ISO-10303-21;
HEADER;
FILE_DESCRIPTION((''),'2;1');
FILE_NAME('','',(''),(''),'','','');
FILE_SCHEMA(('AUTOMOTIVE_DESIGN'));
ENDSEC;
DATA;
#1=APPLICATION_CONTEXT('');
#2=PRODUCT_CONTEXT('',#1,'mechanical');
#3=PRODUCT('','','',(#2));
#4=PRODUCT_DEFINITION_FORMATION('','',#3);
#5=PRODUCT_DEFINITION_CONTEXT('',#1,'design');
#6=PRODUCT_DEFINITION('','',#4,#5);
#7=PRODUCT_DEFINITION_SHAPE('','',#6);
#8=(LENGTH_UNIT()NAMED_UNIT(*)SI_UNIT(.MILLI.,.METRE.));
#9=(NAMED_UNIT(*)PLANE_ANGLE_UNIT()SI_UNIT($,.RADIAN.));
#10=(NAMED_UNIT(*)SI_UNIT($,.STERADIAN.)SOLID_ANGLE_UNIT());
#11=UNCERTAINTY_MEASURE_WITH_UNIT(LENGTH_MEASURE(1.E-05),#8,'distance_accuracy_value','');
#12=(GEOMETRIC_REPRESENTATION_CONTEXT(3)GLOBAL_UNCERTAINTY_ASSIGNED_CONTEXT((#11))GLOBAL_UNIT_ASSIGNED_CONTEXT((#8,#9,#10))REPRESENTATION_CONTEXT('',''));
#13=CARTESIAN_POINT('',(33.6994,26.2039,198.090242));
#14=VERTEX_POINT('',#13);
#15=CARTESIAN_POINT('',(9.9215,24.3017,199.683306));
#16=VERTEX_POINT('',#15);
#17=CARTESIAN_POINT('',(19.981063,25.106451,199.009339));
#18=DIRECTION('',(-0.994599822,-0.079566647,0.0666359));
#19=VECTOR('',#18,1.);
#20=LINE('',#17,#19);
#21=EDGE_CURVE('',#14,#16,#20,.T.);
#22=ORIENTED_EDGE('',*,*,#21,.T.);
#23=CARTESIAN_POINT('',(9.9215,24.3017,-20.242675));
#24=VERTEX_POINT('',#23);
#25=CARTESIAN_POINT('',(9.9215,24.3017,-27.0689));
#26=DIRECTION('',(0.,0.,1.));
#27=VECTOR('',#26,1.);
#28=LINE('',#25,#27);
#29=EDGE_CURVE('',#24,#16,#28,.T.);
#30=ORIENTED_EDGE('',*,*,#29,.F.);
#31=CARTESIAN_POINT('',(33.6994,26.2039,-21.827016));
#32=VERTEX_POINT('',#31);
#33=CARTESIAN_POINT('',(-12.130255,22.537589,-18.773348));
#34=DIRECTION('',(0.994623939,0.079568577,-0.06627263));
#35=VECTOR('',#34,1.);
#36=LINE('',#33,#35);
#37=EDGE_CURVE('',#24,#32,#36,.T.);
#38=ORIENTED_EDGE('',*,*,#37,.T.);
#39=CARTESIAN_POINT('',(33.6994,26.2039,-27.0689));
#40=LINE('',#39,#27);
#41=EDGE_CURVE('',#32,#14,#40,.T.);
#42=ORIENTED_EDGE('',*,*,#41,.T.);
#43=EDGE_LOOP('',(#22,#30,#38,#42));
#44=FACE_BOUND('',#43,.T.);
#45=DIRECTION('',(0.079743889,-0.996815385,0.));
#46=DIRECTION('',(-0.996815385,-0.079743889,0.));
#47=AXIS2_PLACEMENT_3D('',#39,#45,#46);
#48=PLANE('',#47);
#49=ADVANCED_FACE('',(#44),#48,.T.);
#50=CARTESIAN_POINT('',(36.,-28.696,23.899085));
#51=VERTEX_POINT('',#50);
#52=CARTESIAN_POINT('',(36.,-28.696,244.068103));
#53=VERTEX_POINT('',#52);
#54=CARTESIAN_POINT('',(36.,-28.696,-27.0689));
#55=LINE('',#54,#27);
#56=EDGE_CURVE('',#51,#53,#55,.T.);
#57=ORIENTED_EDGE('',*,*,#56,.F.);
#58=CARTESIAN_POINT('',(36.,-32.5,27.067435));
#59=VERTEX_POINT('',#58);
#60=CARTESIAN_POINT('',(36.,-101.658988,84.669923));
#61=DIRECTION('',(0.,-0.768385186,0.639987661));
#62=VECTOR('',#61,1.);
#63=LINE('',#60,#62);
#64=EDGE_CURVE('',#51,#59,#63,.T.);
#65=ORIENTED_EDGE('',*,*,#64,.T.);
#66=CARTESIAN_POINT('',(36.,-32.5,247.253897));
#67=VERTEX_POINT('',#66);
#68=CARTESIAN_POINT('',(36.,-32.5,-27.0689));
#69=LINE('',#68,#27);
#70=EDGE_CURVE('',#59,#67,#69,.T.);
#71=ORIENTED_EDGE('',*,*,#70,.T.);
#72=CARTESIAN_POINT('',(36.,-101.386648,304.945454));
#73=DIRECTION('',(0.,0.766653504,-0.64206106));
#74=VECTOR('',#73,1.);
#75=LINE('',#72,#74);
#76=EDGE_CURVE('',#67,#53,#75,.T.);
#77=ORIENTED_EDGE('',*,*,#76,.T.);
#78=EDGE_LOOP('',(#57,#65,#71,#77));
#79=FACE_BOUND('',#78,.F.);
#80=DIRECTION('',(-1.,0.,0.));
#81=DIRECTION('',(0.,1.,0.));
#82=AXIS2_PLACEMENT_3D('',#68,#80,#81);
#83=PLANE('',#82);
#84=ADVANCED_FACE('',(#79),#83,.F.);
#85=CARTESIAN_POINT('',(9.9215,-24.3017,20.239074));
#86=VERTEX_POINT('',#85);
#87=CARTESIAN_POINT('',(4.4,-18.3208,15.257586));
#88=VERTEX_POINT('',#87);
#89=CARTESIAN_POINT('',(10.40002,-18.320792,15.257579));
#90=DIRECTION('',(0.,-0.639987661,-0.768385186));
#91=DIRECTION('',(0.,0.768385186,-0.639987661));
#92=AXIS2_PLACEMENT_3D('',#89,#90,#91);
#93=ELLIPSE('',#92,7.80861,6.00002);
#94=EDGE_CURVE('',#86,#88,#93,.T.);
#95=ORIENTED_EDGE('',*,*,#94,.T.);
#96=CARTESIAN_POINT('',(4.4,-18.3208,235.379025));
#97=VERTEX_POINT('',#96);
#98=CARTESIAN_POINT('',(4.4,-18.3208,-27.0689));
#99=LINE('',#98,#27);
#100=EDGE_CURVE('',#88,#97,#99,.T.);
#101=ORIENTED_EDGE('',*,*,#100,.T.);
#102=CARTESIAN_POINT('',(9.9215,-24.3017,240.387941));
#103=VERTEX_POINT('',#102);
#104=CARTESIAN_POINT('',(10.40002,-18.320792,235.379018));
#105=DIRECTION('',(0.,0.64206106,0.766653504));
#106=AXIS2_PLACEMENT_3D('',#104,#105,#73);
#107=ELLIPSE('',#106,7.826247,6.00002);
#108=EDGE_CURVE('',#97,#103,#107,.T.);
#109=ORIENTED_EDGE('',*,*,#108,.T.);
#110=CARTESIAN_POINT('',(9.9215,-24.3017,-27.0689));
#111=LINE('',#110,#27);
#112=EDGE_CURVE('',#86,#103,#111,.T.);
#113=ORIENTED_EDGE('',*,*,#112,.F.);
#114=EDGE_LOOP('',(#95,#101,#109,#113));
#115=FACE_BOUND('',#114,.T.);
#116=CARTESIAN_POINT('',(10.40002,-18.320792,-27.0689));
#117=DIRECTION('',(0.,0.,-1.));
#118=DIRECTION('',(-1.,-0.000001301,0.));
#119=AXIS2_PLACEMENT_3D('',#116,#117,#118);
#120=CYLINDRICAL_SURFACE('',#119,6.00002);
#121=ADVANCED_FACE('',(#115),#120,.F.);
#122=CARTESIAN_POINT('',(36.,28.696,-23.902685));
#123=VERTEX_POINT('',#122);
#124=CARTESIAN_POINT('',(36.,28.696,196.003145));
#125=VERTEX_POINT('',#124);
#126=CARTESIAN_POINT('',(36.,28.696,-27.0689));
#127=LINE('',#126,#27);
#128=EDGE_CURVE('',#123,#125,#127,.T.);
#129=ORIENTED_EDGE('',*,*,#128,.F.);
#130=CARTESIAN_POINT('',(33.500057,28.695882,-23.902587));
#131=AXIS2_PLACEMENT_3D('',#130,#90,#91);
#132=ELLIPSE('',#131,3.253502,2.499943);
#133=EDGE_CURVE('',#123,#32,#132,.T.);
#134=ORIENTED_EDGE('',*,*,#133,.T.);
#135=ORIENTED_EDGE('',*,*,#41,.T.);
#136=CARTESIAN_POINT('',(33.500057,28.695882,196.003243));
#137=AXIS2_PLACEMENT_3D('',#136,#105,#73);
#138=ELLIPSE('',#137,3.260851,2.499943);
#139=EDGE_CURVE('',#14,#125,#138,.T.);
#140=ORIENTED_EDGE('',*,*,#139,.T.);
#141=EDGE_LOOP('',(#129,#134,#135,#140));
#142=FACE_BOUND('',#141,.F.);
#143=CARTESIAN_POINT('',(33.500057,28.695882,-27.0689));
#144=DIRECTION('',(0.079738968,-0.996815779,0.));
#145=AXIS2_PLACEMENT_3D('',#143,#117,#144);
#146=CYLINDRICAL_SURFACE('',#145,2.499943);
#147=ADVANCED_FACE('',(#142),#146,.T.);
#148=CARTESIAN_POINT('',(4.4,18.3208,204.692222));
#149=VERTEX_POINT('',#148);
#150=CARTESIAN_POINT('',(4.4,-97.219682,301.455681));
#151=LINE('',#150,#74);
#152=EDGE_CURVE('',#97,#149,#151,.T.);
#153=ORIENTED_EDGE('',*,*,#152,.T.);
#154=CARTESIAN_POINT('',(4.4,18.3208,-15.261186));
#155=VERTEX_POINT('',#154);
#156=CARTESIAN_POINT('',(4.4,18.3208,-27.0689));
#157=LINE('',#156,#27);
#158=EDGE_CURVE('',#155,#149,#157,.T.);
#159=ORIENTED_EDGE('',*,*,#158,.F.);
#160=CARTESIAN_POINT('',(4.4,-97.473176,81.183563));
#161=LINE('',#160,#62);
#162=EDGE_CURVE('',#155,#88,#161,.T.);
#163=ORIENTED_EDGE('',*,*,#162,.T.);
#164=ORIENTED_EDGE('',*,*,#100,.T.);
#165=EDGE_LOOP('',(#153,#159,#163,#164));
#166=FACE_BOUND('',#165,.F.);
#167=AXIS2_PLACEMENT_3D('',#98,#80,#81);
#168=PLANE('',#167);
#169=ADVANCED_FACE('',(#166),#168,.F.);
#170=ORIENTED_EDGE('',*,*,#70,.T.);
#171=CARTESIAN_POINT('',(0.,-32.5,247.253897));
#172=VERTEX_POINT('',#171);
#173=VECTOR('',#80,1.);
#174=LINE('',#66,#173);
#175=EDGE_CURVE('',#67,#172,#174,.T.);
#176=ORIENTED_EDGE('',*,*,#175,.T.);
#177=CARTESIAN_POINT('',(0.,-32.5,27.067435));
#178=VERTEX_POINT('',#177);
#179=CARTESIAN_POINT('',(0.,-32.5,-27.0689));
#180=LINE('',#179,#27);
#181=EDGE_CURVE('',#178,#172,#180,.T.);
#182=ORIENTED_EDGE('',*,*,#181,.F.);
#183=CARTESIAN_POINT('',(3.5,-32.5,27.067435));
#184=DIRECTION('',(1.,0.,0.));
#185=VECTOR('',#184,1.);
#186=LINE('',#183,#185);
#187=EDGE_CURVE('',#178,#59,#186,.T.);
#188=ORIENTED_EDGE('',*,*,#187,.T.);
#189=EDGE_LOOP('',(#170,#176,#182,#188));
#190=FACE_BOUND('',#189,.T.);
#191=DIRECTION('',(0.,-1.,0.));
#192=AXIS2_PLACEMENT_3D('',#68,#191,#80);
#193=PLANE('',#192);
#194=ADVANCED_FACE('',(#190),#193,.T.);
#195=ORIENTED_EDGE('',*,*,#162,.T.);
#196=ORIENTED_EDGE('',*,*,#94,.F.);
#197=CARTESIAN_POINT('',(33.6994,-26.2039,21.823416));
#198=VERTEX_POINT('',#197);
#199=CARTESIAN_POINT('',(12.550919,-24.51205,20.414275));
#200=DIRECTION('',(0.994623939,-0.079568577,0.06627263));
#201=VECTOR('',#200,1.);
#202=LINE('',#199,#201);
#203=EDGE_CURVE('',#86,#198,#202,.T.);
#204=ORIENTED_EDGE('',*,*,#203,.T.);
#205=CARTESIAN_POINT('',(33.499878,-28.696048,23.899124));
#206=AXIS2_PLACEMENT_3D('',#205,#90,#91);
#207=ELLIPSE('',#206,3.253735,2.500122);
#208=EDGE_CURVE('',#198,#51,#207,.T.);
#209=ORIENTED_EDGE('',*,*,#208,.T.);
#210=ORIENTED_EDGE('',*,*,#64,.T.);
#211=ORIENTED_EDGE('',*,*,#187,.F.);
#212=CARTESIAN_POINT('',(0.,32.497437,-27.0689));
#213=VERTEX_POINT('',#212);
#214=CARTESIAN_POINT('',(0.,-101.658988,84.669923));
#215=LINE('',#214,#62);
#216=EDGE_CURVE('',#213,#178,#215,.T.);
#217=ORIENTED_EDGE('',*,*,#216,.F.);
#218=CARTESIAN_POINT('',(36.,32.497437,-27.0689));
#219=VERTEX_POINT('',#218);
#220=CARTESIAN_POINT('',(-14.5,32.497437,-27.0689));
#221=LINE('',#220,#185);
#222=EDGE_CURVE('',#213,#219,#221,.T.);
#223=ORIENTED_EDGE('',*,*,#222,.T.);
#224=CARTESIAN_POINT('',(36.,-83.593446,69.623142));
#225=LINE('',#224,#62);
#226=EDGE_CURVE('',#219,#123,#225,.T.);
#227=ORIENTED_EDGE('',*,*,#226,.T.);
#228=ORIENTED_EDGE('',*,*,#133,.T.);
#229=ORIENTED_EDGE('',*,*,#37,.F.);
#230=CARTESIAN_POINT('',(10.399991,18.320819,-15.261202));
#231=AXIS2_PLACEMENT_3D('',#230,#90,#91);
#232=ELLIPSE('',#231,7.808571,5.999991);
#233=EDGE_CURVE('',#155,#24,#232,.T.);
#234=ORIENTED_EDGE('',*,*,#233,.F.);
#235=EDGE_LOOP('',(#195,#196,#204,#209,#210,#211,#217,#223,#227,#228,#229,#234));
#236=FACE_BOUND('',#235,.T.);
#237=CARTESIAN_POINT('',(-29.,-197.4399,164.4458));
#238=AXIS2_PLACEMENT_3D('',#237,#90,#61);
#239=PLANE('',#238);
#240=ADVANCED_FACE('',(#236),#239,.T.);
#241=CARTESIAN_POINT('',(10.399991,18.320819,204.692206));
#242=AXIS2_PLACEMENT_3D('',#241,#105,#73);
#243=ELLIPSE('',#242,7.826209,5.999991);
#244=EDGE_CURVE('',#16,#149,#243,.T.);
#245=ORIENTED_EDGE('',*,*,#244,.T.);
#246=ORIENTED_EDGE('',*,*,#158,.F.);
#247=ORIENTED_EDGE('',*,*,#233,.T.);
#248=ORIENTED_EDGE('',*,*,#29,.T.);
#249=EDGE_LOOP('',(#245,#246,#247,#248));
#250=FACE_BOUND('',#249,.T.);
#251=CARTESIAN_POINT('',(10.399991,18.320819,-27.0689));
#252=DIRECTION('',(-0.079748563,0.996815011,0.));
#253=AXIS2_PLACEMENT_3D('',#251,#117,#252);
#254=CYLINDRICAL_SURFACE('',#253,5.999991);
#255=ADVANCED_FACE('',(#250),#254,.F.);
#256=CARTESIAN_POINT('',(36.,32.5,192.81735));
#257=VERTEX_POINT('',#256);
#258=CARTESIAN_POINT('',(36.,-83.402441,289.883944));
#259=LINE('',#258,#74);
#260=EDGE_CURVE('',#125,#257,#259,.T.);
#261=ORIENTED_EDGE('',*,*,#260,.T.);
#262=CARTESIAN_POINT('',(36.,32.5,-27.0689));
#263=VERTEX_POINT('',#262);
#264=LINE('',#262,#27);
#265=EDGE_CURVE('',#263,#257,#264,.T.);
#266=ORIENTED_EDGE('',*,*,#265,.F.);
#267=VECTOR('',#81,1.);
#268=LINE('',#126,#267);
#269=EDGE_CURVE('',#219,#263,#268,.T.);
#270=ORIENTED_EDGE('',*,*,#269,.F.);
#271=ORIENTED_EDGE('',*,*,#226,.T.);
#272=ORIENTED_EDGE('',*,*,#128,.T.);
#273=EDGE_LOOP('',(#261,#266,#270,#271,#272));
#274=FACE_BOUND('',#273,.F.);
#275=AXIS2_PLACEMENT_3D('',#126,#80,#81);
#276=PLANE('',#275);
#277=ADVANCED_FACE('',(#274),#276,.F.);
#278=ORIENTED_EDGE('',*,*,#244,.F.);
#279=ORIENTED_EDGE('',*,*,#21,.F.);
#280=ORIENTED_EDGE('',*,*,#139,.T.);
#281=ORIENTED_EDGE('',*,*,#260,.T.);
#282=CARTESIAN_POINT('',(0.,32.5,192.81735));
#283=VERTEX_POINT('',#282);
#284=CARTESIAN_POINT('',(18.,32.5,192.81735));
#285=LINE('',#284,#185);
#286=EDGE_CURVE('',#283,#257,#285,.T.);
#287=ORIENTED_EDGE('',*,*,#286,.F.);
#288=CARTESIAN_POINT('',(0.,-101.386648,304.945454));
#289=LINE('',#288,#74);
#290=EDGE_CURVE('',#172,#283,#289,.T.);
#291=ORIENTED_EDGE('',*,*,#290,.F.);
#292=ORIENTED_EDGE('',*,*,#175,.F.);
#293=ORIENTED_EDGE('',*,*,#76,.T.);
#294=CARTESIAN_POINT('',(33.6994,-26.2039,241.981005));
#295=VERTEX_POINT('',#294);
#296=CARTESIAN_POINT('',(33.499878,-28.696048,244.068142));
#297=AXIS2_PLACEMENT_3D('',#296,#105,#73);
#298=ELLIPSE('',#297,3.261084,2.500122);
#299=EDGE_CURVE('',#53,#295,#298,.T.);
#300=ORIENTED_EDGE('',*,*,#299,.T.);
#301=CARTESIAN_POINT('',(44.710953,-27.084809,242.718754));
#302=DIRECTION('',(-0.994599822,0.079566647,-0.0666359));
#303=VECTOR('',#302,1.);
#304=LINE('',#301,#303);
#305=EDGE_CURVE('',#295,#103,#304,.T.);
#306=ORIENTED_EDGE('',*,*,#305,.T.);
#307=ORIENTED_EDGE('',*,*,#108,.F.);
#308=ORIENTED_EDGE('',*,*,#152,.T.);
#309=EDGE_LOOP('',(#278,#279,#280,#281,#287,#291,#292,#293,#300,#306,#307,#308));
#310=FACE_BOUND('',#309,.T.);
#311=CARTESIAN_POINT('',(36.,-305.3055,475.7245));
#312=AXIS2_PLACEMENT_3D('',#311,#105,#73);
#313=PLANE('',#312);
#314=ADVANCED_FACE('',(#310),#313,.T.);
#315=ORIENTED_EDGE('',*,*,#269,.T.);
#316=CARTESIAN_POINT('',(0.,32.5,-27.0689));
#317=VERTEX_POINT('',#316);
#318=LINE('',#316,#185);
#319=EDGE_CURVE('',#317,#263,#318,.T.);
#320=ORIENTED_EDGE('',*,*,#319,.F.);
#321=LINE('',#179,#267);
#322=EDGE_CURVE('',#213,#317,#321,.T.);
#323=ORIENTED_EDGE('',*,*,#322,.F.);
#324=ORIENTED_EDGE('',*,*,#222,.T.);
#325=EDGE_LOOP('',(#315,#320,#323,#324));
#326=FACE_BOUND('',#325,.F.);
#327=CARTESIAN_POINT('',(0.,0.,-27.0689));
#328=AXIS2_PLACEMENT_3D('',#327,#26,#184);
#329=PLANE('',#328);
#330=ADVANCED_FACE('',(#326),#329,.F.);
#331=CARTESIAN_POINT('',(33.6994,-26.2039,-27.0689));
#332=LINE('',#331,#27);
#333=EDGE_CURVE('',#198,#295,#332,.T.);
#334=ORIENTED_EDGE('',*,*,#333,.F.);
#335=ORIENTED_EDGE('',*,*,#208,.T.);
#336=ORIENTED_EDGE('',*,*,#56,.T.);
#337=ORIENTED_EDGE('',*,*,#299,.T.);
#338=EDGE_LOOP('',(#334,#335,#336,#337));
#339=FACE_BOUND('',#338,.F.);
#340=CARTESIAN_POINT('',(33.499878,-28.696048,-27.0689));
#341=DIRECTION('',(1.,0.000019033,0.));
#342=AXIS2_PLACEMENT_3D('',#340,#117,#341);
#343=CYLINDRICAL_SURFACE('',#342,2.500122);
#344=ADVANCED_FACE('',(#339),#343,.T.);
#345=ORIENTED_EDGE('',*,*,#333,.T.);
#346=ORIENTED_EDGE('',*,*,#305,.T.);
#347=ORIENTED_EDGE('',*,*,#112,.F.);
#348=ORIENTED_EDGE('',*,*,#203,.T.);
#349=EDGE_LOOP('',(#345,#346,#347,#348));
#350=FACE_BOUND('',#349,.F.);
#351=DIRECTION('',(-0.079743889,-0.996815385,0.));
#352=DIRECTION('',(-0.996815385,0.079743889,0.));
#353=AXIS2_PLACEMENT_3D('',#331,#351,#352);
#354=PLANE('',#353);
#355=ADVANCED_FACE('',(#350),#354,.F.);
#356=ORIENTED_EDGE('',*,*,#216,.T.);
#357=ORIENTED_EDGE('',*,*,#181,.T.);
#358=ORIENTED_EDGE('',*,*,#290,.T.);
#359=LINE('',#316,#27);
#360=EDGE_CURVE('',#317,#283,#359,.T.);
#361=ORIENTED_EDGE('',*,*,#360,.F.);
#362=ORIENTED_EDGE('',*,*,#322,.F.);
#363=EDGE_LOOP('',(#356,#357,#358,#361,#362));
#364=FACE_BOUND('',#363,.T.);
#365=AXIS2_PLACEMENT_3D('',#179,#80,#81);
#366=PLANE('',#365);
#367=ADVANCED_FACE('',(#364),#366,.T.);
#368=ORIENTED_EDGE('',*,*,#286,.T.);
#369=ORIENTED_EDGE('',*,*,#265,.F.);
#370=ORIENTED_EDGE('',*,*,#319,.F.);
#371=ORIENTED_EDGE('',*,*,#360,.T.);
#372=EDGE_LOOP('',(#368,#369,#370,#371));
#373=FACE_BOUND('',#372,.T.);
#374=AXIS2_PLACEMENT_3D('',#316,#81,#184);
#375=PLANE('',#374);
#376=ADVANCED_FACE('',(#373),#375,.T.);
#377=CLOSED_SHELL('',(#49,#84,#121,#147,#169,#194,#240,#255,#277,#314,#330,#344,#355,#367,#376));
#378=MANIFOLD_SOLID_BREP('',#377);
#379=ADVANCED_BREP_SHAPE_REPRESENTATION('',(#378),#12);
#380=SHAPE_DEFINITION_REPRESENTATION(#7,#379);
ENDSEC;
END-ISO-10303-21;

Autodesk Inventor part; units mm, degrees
ref_plane "Начальная плоскость" through (0, 0, -27.0689) normal (0, 0, 1) x (1, 0, 0)
ref_plane "Конечная плоскость" through (0, 0, 247.2565) normal (0, 0, 1) x (1, 0, 0)
sketch "Эскиз" plane through (0, 0, 0) normal (0, 0, 1) x (1, 0, 0)
  line L0 (36, -32.5) -> (0, -32.5)
  line L1 (36, -32.5) -> (36, -28.696)
  line L2 (33.6994, -26.2039) -> (9.9215, -24.3017)
  line L3 (4.4, -18.3208) -> (4.4, 18.3208)
  line L4 (33.6994, 26.2039) -> (9.9215, 24.3017)
  line L5 (36, 28.696) -> (36, 32.5)
  line L6 (0, 32.5) -> (36, 32.5)
  line L7 (0, -32.5) -> (0, 32.5)
  arc A0 (4.4, -18.3208) -> (9.9215, -24.3017) centre (10.4, -18.3208) ccw
  arc A1 (9.9215, 24.3017) -> (4.4, 18.3208) centre (10.4, 18.3208) ccw
  arc A2 (36, -28.696) -> (33.6994, -26.2039) centre (33.5, -28.696) ccw
  arc A3 (33.6994, 26.2039) -> (36, 28.696) centre (33.5, 28.696) ccw
  line L8 (0, 45.5) -> (0, -45.5) construction
  line L9 (-7.2974, 0) -> (43.7847, 0) construction
  point P0 (36, -26.388)
  point P1 (4.4, -23.86)
  point P2 (4.4, 23.86)
  point P3 (36, 26.388)
  dimension "d3" = 36
  dimension "d5" = 4.4
  dimension "d7" = 65
  dimension "d9" = 8.64
  dimension "d11" = 8.64
  dimension "d13" = 6.112
  dimension "d15" = 6.112
  dimension "d22" = 6
  dimension "d23" = 2.5
  dimension "d24" = 32.5
  dimension "d25" = 0
extrude "Тело" add sketch "Эскиз" along normal up to surface (274.3255 mm away) from surface at -27.0689
sketch "Sketch3" plane through (0, 0, 0) normal (0, 0, 1) x (1, 0, 0)
  line L0 (0, 0) -> (10, 0)
ref_plane "Work Plane7" through (0, 0, 0) normal (0, -1, 0) x (1, 0, 0)
sketch "Sketch4" plane through (0, 0, 0) normal (0, -1, 0) x (1, 0, 0)
  line L0 (-2, -27.0689) -> (12, -27.0689)
  line L1 (-2, 247.2565) -> (12, 247.2565)
  dimension "d29" = 274.3255
ref_plane "РабПлоскость8" through (-29, -197.4399, 164.4458) normal (0, -0.64, -0.7684) x (1, 0, 0)
split "Разделение1" plane through (-29, -197.4399, 164.4458) removes the side toward (0, -0.64, -0.7684)
ref_plane "РабПлоскость9" through (36, -305.3055, 475.7245) normal (0, 0.6421, 0.7667) x (1, 0, 0)
split "Разделение2" plane through (36, -305.3055, 475.7245) removes the side toward (0, 0.6421, 0.7667)
equation "\"d3\" = b"
equation "\"d5\" = t1"
equation "\"d7\" = ParH"
equation "\"d9\" = msp_x1 + t2"
equation "\"d11\" = msp_x1 + t2"
equation "\"d13\" = -msp_x2 + t2"
equation "\"d15\" = -msp_x2 + t2"
equation "\"d22\" = R"
equation "\"d23\" = R1"
equation "\"d24\" = 0.5 * d7"
equation "\"d16\" = G_L"
equation "\"R1\" = 2.5"
equation "\"R\" = 6"
equation "\"t1\" = 4.4"
equation "\"t2\" = 7.2"
equation "\"ParH\" = 65"
equation "\"b\" = 36"
equation "\"msp_x1\" = 0.04 * b"
equation "\"msp_x2\" = -0.08 * t1 + 0.04 * b"
equation "\"G_L\" = d29"
equation "\"ex\" = 0"
equation "\"G_OFFSET_START\" = 27.06893"
equation "\"G_OFFSET_END\" = 27.21796"
equation "\"d26\" = -G_OFFSET_START"
equation "\"d27\" = G_OFFSET_END + B_L"
equation "\"B_L\" = 220.03857"
properties part number "Швеллер 6.5U-274,33 ГОСТ 8240-97" material "Сталь, мягкая"
